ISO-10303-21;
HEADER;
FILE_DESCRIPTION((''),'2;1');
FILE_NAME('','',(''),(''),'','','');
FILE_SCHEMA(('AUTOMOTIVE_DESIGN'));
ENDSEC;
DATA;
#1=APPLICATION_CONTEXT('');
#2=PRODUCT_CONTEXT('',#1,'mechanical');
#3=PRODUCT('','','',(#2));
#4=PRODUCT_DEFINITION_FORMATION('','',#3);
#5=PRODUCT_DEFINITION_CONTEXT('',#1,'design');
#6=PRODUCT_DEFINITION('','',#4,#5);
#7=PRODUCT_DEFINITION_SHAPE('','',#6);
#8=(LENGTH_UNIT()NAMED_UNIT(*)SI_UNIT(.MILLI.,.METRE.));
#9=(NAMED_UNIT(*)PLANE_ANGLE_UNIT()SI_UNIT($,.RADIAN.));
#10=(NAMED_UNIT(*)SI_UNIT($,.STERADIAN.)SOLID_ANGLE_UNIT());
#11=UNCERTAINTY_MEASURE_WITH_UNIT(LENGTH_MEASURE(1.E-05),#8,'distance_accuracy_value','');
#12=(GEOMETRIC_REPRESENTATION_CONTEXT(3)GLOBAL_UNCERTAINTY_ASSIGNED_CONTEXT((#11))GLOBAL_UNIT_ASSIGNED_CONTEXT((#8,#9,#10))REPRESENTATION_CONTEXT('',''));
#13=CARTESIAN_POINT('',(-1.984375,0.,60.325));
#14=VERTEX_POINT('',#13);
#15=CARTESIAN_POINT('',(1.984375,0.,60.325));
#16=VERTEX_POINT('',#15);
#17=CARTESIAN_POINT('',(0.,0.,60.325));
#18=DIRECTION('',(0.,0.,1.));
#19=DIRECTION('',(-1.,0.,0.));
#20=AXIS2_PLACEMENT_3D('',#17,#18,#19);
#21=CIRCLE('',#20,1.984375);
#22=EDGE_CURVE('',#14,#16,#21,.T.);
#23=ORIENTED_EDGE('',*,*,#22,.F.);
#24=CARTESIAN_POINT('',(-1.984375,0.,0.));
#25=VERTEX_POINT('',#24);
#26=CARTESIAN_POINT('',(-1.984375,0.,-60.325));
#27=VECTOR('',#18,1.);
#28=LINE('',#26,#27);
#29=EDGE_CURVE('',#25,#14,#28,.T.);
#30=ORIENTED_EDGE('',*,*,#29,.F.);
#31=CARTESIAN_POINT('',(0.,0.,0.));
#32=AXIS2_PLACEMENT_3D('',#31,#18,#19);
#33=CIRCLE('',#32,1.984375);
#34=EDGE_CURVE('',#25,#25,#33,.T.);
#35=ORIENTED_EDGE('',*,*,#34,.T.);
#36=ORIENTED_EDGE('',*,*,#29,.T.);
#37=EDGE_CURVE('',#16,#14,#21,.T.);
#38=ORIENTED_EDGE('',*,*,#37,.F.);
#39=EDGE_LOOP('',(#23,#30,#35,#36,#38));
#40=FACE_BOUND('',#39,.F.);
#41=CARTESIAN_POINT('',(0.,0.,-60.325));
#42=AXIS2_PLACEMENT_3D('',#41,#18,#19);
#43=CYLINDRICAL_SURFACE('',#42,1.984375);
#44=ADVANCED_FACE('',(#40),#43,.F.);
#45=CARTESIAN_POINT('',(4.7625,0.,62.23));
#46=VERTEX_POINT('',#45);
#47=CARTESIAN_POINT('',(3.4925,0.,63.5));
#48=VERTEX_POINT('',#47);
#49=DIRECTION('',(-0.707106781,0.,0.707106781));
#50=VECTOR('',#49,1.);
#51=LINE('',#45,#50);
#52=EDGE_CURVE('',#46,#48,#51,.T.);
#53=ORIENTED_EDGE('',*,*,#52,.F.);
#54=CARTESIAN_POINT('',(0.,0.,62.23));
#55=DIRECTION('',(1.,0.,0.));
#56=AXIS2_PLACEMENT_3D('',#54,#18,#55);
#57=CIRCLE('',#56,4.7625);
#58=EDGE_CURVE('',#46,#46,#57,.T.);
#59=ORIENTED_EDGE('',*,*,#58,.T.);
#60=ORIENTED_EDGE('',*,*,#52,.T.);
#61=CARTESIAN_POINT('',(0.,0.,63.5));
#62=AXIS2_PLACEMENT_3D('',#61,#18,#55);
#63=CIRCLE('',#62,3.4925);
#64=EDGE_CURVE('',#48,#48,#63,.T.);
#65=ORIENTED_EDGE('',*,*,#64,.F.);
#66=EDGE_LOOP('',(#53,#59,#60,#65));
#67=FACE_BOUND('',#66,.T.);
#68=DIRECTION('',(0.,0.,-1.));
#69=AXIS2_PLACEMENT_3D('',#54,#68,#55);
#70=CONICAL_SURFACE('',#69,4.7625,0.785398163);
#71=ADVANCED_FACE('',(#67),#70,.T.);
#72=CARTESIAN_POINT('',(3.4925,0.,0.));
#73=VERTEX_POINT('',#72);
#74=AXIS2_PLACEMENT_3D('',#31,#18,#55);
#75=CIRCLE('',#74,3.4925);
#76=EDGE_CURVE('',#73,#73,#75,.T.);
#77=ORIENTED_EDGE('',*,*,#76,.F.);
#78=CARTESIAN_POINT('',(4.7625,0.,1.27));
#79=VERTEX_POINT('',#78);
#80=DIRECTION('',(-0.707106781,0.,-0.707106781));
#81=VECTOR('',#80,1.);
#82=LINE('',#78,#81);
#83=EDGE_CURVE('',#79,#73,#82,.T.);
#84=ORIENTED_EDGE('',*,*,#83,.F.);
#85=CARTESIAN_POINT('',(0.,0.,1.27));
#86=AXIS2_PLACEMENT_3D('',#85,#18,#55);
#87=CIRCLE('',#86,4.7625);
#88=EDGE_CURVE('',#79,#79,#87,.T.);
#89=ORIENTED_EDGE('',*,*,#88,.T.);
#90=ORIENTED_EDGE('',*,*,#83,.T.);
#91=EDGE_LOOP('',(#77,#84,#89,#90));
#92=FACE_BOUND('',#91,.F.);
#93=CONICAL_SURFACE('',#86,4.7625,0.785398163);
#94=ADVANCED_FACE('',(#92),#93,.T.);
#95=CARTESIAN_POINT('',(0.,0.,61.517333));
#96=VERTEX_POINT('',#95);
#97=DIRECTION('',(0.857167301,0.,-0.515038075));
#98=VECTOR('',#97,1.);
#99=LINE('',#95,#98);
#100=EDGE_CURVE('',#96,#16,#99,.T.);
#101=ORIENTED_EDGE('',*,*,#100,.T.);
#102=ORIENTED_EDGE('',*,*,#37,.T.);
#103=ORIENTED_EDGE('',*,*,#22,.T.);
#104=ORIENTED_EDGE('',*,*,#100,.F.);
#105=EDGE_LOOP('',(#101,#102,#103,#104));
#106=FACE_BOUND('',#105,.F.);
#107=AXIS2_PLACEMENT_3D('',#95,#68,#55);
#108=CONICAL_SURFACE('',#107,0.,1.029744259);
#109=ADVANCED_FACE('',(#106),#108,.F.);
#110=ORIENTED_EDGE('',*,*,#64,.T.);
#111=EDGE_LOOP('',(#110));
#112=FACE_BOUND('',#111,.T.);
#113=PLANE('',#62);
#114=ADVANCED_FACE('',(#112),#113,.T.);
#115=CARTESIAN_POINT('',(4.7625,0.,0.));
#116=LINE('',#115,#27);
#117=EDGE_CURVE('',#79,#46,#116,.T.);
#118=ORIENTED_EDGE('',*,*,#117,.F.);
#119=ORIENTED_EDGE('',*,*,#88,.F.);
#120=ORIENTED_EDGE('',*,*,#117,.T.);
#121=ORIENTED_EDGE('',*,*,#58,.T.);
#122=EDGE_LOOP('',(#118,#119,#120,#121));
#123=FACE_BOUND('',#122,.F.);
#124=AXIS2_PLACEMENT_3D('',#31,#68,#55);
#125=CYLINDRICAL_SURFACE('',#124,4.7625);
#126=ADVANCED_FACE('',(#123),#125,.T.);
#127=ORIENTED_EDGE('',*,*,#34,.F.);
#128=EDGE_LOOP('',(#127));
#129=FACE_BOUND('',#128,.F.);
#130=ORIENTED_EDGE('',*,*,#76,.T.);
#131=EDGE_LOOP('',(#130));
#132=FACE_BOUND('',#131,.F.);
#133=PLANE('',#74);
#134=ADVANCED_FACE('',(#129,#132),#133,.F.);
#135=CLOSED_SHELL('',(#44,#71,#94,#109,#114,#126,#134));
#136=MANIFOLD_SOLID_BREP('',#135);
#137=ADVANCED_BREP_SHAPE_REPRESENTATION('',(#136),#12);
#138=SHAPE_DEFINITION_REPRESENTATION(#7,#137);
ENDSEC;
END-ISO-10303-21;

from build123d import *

# Parameters (mm, degrees)
F0_R     = 4.7625
F1_DEPTH = 63.5
F2_SIZE  = 1.27
F4_D     = 3.96875
F4_DEPTH = 60.325
F4_TIP   = 1.1923327909


with BuildPart() as f1:
    # F0 (on Top) → F1 (new body)
    with BuildSketch(Plane.XY):
        Circle(F0_R)
    extrude(amount=F1_DEPTH)

    # F2
    f2_edges = [f1.edges().sort_by_distance(p)[0] for p in [
        (-4.7625, 0, 63.5),
        (-4.7625, 0, 0),
    ]]
    chamfer(f2_edges, length=F2_SIZE)

    # F4
    with Locations(Plane(origin=(0, 0, 0), x_dir=(1, 0, 0), z_dir=(0, 0, -1))):
        with Locations((0, 0)):
            Hole(F4_D / 2, depth=F4_DEPTH)
            with Locations((0, 0, -(F4_DEPTH + F4_TIP / 2))):  # 118° drill point
                Cone(0, F4_D / 2, F4_TIP, mode=Mode.SUBTRACT)


solid = f1.part
